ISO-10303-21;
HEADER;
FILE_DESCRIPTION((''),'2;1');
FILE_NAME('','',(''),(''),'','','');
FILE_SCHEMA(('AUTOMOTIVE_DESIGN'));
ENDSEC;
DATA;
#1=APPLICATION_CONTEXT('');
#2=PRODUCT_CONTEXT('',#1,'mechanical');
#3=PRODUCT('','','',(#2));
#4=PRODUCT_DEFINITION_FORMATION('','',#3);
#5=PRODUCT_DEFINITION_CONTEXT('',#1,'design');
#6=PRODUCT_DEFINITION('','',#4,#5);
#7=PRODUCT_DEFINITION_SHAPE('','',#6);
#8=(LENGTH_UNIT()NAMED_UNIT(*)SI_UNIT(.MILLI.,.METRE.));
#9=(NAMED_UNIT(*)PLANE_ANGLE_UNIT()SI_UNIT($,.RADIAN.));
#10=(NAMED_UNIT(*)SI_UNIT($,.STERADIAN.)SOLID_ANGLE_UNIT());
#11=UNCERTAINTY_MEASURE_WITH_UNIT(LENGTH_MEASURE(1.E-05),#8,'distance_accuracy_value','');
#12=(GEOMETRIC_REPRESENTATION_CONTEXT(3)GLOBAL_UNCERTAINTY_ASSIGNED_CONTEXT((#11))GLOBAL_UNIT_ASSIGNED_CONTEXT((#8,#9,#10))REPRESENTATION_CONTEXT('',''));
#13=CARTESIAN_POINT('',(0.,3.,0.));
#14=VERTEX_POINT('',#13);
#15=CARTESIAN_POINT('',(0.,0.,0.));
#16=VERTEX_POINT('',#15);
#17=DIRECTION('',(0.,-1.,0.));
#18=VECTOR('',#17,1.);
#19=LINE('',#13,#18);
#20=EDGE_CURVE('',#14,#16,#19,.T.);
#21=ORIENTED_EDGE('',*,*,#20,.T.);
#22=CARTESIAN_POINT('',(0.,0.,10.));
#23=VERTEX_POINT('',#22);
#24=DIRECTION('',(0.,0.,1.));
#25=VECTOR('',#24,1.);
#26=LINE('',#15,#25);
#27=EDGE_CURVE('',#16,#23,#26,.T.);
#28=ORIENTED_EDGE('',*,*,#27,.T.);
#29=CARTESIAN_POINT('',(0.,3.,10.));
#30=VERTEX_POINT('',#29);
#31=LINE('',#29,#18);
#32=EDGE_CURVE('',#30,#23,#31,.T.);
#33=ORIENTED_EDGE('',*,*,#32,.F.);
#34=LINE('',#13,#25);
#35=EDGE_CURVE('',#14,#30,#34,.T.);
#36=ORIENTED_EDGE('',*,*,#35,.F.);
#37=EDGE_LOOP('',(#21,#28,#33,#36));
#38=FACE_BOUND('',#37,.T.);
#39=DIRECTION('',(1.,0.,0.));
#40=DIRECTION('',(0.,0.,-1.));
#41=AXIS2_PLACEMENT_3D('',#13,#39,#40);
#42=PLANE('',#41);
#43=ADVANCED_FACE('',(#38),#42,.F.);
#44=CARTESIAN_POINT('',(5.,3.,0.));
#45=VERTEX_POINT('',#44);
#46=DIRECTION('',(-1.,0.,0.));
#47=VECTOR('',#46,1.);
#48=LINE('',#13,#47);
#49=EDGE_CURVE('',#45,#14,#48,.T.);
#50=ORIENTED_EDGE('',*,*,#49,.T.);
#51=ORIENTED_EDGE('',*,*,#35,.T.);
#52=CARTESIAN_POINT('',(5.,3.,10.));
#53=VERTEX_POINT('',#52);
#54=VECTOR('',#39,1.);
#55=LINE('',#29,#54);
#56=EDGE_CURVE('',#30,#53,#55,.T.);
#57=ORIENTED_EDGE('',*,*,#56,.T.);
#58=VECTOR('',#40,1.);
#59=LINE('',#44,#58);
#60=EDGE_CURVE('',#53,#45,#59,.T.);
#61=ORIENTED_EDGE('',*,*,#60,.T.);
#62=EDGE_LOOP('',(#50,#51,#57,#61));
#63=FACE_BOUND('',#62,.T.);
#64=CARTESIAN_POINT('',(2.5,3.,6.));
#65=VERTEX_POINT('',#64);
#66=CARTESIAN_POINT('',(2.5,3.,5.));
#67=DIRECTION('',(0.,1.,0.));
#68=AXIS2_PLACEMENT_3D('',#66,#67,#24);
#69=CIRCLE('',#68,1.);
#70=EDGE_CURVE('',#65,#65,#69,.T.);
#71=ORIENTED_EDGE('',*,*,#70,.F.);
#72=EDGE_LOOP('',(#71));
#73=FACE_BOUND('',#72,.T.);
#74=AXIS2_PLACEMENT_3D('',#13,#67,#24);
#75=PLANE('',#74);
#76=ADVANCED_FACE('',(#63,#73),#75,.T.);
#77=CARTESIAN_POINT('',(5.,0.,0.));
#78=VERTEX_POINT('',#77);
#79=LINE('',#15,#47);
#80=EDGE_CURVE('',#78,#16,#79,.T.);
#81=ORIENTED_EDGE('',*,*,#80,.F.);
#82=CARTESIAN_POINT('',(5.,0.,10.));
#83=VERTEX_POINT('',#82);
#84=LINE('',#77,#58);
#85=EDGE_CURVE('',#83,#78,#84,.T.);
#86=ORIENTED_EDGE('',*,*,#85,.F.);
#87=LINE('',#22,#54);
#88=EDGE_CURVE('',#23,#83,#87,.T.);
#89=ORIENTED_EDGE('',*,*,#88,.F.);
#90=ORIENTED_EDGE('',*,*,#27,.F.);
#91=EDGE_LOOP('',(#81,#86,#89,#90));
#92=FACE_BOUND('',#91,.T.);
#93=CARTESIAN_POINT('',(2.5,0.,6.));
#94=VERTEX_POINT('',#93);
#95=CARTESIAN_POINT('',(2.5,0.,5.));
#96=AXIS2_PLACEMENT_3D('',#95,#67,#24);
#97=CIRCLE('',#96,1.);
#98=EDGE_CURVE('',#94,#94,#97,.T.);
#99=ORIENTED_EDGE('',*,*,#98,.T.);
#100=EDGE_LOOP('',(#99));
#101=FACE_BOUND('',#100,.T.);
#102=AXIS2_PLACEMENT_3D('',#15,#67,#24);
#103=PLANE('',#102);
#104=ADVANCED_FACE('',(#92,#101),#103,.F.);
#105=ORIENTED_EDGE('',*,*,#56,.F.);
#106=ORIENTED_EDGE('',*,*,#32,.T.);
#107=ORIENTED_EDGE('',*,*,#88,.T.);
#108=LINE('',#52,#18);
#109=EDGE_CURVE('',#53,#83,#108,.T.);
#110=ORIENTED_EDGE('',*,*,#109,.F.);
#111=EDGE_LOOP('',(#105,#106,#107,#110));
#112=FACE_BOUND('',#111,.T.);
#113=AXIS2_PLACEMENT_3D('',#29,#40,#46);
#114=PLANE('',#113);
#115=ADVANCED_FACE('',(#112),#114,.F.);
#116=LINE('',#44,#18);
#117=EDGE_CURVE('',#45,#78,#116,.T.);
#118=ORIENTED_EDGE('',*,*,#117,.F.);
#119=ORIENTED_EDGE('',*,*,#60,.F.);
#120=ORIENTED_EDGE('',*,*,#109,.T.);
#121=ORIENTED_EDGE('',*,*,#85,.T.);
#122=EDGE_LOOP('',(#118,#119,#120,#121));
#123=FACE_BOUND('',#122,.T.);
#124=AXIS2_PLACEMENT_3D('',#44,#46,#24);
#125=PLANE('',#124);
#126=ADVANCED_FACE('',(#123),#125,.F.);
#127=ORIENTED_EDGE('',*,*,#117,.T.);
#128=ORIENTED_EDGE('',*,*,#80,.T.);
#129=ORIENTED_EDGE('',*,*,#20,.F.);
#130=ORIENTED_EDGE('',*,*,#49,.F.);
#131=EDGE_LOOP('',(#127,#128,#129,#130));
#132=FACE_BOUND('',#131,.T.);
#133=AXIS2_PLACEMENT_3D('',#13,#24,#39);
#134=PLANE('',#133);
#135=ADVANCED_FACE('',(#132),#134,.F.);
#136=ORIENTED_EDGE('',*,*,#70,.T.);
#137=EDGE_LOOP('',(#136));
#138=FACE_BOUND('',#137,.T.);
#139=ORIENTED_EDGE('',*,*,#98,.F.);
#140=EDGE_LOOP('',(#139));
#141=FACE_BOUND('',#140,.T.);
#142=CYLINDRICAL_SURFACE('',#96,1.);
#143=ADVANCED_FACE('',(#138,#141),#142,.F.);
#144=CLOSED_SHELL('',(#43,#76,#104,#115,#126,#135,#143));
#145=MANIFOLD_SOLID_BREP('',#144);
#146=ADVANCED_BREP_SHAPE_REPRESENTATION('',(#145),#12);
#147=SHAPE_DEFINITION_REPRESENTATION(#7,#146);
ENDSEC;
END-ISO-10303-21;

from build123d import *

# Parameters (mm, degrees)
ESQUISSE1_W             = 5
ESQUISSE1_H             = 10
BOSS_EXTRU_1_DEPTH      = 3
ESQUISSE2_R             = 1
ENL_V_MAT_EXTRU_1_DEPTH = 12.575836903


with BuildPart() as part:
    # Esquisse1 → Boss.-Extru.1 (new body)
    with BuildSketch(Plane(origin=(0, 0, 0), x_dir=(1, 0, 0), z_dir=(0, 1, 0))):
        with Locations((2.5, -5)):
            Rectangle(ESQUISSE1_W, ESQUISSE1_H)
    extrude(amount=BOSS_EXTRU_1_DEPTH)

    # Esquisse2 → Enlèv. mat.-Extru.1 (cut, through all)
    with BuildSketch(Plane(origin=(0, 3, 0), x_dir=(1, 0, 0), z_dir=(0, 1, 0))):
        with Locations(Location((2.5, -5, 0), (0, 0, 270))):
            Circle(ESQUISSE2_R)
    extrude(amount=-ENL_V_MAT_EXTRU_1_DEPTH, mode=Mode.SUBTRACT)


solid = part.part
